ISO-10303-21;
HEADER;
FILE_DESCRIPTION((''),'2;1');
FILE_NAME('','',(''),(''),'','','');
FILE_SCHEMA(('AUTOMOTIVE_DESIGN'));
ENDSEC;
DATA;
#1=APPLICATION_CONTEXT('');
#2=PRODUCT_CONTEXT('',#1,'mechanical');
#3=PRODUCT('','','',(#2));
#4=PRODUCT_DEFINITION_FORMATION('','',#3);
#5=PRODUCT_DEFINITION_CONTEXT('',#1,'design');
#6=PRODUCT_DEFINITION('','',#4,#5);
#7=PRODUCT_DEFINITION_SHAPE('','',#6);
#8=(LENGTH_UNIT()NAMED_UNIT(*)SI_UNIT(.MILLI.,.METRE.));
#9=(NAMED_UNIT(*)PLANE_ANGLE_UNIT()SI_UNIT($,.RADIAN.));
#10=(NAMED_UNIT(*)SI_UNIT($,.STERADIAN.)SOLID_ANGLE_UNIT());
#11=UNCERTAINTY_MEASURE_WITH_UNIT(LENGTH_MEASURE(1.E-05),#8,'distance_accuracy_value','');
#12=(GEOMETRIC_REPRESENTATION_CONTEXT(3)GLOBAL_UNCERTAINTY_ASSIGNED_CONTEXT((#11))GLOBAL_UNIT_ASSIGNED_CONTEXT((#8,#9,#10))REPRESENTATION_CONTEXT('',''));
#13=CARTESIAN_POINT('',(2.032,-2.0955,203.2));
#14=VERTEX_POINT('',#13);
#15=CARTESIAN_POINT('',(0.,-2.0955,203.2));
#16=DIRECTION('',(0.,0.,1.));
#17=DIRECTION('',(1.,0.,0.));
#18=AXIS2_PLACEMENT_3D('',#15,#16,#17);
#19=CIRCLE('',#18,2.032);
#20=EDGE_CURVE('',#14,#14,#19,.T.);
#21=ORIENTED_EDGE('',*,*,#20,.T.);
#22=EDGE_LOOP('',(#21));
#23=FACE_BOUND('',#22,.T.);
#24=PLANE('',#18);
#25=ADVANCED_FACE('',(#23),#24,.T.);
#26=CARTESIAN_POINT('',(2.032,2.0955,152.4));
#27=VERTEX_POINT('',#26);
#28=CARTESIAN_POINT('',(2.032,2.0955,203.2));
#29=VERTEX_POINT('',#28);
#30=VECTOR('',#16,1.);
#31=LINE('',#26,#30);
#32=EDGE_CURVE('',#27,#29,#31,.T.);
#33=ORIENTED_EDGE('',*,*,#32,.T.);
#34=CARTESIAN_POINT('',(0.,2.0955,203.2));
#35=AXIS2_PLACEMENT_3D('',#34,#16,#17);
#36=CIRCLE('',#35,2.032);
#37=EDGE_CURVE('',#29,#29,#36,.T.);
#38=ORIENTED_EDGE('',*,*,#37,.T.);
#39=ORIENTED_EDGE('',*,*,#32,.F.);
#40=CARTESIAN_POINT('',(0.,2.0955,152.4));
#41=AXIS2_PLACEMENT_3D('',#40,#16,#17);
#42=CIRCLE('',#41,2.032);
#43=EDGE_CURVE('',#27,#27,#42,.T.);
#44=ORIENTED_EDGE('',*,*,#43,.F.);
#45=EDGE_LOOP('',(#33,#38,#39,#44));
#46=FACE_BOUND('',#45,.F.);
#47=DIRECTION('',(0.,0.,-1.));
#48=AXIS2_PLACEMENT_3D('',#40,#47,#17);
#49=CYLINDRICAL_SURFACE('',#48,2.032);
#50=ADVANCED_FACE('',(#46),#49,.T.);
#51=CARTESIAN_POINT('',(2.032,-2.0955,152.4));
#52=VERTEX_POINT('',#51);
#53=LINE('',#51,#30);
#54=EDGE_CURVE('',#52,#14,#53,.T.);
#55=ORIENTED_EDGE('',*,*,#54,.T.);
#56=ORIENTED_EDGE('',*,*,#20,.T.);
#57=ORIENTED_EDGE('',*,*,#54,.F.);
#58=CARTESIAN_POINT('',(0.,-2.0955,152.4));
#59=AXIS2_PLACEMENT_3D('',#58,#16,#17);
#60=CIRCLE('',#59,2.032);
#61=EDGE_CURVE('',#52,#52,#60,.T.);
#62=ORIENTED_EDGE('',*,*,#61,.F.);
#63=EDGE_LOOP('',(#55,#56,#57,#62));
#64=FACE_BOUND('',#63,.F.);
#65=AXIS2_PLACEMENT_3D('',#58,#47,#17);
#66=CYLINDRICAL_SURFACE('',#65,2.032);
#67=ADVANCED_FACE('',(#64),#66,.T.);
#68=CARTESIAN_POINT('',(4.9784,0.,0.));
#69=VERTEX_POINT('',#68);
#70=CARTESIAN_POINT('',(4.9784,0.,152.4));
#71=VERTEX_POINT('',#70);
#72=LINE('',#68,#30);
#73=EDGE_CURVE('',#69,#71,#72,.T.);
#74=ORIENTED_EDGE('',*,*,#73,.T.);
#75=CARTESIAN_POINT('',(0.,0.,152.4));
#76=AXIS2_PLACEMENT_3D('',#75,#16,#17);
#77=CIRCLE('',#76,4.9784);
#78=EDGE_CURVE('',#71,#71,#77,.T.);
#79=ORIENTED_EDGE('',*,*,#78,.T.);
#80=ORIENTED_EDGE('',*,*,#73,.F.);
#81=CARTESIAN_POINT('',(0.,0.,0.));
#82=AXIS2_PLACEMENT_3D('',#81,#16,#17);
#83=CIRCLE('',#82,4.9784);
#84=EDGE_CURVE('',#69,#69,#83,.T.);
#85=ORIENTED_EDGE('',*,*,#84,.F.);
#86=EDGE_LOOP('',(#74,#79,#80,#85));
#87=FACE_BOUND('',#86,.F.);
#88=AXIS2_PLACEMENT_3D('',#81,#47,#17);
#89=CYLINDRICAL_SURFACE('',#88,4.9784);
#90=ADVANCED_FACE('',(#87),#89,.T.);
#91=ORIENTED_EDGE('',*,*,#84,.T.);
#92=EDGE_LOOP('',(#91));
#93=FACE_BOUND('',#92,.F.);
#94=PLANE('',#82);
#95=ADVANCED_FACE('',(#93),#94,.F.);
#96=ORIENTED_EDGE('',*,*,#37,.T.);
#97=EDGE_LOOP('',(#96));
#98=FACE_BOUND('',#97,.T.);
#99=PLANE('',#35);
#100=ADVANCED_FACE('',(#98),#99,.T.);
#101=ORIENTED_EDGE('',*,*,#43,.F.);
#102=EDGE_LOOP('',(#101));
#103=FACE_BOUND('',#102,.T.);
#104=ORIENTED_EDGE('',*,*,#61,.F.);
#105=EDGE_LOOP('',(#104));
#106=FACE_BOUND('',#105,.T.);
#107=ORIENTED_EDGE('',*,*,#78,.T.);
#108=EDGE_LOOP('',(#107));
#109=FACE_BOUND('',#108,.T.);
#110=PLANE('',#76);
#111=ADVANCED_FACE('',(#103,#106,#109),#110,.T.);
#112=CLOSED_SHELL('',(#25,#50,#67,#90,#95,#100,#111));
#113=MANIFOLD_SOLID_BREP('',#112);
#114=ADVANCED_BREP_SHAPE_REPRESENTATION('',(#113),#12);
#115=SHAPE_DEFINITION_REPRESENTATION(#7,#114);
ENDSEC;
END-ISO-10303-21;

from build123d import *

# Parameters (mm, degrees)
F0_R     = 4.9784
F1_DEPTH = 152.4
F2_R     = 2.032
F3_DEPTH = 50.8


with BuildPart() as f1:
    # F0 (on Top) → F1 (new body)
    with BuildSketch(Plane.XY):
        Circle(F0_R)
    extrude(amount=F1_DEPTH)

    # F2 (on face) → F3 (join)
    with BuildSketch(Plane.XY.offset(152.4)):
        with Locations((0, 2.0955)):
            Circle(F2_R)
        with Locations((0, -2.0955)):
            Circle(F2_R)
    extrude(amount=F3_DEPTH)


solid = f1.part
